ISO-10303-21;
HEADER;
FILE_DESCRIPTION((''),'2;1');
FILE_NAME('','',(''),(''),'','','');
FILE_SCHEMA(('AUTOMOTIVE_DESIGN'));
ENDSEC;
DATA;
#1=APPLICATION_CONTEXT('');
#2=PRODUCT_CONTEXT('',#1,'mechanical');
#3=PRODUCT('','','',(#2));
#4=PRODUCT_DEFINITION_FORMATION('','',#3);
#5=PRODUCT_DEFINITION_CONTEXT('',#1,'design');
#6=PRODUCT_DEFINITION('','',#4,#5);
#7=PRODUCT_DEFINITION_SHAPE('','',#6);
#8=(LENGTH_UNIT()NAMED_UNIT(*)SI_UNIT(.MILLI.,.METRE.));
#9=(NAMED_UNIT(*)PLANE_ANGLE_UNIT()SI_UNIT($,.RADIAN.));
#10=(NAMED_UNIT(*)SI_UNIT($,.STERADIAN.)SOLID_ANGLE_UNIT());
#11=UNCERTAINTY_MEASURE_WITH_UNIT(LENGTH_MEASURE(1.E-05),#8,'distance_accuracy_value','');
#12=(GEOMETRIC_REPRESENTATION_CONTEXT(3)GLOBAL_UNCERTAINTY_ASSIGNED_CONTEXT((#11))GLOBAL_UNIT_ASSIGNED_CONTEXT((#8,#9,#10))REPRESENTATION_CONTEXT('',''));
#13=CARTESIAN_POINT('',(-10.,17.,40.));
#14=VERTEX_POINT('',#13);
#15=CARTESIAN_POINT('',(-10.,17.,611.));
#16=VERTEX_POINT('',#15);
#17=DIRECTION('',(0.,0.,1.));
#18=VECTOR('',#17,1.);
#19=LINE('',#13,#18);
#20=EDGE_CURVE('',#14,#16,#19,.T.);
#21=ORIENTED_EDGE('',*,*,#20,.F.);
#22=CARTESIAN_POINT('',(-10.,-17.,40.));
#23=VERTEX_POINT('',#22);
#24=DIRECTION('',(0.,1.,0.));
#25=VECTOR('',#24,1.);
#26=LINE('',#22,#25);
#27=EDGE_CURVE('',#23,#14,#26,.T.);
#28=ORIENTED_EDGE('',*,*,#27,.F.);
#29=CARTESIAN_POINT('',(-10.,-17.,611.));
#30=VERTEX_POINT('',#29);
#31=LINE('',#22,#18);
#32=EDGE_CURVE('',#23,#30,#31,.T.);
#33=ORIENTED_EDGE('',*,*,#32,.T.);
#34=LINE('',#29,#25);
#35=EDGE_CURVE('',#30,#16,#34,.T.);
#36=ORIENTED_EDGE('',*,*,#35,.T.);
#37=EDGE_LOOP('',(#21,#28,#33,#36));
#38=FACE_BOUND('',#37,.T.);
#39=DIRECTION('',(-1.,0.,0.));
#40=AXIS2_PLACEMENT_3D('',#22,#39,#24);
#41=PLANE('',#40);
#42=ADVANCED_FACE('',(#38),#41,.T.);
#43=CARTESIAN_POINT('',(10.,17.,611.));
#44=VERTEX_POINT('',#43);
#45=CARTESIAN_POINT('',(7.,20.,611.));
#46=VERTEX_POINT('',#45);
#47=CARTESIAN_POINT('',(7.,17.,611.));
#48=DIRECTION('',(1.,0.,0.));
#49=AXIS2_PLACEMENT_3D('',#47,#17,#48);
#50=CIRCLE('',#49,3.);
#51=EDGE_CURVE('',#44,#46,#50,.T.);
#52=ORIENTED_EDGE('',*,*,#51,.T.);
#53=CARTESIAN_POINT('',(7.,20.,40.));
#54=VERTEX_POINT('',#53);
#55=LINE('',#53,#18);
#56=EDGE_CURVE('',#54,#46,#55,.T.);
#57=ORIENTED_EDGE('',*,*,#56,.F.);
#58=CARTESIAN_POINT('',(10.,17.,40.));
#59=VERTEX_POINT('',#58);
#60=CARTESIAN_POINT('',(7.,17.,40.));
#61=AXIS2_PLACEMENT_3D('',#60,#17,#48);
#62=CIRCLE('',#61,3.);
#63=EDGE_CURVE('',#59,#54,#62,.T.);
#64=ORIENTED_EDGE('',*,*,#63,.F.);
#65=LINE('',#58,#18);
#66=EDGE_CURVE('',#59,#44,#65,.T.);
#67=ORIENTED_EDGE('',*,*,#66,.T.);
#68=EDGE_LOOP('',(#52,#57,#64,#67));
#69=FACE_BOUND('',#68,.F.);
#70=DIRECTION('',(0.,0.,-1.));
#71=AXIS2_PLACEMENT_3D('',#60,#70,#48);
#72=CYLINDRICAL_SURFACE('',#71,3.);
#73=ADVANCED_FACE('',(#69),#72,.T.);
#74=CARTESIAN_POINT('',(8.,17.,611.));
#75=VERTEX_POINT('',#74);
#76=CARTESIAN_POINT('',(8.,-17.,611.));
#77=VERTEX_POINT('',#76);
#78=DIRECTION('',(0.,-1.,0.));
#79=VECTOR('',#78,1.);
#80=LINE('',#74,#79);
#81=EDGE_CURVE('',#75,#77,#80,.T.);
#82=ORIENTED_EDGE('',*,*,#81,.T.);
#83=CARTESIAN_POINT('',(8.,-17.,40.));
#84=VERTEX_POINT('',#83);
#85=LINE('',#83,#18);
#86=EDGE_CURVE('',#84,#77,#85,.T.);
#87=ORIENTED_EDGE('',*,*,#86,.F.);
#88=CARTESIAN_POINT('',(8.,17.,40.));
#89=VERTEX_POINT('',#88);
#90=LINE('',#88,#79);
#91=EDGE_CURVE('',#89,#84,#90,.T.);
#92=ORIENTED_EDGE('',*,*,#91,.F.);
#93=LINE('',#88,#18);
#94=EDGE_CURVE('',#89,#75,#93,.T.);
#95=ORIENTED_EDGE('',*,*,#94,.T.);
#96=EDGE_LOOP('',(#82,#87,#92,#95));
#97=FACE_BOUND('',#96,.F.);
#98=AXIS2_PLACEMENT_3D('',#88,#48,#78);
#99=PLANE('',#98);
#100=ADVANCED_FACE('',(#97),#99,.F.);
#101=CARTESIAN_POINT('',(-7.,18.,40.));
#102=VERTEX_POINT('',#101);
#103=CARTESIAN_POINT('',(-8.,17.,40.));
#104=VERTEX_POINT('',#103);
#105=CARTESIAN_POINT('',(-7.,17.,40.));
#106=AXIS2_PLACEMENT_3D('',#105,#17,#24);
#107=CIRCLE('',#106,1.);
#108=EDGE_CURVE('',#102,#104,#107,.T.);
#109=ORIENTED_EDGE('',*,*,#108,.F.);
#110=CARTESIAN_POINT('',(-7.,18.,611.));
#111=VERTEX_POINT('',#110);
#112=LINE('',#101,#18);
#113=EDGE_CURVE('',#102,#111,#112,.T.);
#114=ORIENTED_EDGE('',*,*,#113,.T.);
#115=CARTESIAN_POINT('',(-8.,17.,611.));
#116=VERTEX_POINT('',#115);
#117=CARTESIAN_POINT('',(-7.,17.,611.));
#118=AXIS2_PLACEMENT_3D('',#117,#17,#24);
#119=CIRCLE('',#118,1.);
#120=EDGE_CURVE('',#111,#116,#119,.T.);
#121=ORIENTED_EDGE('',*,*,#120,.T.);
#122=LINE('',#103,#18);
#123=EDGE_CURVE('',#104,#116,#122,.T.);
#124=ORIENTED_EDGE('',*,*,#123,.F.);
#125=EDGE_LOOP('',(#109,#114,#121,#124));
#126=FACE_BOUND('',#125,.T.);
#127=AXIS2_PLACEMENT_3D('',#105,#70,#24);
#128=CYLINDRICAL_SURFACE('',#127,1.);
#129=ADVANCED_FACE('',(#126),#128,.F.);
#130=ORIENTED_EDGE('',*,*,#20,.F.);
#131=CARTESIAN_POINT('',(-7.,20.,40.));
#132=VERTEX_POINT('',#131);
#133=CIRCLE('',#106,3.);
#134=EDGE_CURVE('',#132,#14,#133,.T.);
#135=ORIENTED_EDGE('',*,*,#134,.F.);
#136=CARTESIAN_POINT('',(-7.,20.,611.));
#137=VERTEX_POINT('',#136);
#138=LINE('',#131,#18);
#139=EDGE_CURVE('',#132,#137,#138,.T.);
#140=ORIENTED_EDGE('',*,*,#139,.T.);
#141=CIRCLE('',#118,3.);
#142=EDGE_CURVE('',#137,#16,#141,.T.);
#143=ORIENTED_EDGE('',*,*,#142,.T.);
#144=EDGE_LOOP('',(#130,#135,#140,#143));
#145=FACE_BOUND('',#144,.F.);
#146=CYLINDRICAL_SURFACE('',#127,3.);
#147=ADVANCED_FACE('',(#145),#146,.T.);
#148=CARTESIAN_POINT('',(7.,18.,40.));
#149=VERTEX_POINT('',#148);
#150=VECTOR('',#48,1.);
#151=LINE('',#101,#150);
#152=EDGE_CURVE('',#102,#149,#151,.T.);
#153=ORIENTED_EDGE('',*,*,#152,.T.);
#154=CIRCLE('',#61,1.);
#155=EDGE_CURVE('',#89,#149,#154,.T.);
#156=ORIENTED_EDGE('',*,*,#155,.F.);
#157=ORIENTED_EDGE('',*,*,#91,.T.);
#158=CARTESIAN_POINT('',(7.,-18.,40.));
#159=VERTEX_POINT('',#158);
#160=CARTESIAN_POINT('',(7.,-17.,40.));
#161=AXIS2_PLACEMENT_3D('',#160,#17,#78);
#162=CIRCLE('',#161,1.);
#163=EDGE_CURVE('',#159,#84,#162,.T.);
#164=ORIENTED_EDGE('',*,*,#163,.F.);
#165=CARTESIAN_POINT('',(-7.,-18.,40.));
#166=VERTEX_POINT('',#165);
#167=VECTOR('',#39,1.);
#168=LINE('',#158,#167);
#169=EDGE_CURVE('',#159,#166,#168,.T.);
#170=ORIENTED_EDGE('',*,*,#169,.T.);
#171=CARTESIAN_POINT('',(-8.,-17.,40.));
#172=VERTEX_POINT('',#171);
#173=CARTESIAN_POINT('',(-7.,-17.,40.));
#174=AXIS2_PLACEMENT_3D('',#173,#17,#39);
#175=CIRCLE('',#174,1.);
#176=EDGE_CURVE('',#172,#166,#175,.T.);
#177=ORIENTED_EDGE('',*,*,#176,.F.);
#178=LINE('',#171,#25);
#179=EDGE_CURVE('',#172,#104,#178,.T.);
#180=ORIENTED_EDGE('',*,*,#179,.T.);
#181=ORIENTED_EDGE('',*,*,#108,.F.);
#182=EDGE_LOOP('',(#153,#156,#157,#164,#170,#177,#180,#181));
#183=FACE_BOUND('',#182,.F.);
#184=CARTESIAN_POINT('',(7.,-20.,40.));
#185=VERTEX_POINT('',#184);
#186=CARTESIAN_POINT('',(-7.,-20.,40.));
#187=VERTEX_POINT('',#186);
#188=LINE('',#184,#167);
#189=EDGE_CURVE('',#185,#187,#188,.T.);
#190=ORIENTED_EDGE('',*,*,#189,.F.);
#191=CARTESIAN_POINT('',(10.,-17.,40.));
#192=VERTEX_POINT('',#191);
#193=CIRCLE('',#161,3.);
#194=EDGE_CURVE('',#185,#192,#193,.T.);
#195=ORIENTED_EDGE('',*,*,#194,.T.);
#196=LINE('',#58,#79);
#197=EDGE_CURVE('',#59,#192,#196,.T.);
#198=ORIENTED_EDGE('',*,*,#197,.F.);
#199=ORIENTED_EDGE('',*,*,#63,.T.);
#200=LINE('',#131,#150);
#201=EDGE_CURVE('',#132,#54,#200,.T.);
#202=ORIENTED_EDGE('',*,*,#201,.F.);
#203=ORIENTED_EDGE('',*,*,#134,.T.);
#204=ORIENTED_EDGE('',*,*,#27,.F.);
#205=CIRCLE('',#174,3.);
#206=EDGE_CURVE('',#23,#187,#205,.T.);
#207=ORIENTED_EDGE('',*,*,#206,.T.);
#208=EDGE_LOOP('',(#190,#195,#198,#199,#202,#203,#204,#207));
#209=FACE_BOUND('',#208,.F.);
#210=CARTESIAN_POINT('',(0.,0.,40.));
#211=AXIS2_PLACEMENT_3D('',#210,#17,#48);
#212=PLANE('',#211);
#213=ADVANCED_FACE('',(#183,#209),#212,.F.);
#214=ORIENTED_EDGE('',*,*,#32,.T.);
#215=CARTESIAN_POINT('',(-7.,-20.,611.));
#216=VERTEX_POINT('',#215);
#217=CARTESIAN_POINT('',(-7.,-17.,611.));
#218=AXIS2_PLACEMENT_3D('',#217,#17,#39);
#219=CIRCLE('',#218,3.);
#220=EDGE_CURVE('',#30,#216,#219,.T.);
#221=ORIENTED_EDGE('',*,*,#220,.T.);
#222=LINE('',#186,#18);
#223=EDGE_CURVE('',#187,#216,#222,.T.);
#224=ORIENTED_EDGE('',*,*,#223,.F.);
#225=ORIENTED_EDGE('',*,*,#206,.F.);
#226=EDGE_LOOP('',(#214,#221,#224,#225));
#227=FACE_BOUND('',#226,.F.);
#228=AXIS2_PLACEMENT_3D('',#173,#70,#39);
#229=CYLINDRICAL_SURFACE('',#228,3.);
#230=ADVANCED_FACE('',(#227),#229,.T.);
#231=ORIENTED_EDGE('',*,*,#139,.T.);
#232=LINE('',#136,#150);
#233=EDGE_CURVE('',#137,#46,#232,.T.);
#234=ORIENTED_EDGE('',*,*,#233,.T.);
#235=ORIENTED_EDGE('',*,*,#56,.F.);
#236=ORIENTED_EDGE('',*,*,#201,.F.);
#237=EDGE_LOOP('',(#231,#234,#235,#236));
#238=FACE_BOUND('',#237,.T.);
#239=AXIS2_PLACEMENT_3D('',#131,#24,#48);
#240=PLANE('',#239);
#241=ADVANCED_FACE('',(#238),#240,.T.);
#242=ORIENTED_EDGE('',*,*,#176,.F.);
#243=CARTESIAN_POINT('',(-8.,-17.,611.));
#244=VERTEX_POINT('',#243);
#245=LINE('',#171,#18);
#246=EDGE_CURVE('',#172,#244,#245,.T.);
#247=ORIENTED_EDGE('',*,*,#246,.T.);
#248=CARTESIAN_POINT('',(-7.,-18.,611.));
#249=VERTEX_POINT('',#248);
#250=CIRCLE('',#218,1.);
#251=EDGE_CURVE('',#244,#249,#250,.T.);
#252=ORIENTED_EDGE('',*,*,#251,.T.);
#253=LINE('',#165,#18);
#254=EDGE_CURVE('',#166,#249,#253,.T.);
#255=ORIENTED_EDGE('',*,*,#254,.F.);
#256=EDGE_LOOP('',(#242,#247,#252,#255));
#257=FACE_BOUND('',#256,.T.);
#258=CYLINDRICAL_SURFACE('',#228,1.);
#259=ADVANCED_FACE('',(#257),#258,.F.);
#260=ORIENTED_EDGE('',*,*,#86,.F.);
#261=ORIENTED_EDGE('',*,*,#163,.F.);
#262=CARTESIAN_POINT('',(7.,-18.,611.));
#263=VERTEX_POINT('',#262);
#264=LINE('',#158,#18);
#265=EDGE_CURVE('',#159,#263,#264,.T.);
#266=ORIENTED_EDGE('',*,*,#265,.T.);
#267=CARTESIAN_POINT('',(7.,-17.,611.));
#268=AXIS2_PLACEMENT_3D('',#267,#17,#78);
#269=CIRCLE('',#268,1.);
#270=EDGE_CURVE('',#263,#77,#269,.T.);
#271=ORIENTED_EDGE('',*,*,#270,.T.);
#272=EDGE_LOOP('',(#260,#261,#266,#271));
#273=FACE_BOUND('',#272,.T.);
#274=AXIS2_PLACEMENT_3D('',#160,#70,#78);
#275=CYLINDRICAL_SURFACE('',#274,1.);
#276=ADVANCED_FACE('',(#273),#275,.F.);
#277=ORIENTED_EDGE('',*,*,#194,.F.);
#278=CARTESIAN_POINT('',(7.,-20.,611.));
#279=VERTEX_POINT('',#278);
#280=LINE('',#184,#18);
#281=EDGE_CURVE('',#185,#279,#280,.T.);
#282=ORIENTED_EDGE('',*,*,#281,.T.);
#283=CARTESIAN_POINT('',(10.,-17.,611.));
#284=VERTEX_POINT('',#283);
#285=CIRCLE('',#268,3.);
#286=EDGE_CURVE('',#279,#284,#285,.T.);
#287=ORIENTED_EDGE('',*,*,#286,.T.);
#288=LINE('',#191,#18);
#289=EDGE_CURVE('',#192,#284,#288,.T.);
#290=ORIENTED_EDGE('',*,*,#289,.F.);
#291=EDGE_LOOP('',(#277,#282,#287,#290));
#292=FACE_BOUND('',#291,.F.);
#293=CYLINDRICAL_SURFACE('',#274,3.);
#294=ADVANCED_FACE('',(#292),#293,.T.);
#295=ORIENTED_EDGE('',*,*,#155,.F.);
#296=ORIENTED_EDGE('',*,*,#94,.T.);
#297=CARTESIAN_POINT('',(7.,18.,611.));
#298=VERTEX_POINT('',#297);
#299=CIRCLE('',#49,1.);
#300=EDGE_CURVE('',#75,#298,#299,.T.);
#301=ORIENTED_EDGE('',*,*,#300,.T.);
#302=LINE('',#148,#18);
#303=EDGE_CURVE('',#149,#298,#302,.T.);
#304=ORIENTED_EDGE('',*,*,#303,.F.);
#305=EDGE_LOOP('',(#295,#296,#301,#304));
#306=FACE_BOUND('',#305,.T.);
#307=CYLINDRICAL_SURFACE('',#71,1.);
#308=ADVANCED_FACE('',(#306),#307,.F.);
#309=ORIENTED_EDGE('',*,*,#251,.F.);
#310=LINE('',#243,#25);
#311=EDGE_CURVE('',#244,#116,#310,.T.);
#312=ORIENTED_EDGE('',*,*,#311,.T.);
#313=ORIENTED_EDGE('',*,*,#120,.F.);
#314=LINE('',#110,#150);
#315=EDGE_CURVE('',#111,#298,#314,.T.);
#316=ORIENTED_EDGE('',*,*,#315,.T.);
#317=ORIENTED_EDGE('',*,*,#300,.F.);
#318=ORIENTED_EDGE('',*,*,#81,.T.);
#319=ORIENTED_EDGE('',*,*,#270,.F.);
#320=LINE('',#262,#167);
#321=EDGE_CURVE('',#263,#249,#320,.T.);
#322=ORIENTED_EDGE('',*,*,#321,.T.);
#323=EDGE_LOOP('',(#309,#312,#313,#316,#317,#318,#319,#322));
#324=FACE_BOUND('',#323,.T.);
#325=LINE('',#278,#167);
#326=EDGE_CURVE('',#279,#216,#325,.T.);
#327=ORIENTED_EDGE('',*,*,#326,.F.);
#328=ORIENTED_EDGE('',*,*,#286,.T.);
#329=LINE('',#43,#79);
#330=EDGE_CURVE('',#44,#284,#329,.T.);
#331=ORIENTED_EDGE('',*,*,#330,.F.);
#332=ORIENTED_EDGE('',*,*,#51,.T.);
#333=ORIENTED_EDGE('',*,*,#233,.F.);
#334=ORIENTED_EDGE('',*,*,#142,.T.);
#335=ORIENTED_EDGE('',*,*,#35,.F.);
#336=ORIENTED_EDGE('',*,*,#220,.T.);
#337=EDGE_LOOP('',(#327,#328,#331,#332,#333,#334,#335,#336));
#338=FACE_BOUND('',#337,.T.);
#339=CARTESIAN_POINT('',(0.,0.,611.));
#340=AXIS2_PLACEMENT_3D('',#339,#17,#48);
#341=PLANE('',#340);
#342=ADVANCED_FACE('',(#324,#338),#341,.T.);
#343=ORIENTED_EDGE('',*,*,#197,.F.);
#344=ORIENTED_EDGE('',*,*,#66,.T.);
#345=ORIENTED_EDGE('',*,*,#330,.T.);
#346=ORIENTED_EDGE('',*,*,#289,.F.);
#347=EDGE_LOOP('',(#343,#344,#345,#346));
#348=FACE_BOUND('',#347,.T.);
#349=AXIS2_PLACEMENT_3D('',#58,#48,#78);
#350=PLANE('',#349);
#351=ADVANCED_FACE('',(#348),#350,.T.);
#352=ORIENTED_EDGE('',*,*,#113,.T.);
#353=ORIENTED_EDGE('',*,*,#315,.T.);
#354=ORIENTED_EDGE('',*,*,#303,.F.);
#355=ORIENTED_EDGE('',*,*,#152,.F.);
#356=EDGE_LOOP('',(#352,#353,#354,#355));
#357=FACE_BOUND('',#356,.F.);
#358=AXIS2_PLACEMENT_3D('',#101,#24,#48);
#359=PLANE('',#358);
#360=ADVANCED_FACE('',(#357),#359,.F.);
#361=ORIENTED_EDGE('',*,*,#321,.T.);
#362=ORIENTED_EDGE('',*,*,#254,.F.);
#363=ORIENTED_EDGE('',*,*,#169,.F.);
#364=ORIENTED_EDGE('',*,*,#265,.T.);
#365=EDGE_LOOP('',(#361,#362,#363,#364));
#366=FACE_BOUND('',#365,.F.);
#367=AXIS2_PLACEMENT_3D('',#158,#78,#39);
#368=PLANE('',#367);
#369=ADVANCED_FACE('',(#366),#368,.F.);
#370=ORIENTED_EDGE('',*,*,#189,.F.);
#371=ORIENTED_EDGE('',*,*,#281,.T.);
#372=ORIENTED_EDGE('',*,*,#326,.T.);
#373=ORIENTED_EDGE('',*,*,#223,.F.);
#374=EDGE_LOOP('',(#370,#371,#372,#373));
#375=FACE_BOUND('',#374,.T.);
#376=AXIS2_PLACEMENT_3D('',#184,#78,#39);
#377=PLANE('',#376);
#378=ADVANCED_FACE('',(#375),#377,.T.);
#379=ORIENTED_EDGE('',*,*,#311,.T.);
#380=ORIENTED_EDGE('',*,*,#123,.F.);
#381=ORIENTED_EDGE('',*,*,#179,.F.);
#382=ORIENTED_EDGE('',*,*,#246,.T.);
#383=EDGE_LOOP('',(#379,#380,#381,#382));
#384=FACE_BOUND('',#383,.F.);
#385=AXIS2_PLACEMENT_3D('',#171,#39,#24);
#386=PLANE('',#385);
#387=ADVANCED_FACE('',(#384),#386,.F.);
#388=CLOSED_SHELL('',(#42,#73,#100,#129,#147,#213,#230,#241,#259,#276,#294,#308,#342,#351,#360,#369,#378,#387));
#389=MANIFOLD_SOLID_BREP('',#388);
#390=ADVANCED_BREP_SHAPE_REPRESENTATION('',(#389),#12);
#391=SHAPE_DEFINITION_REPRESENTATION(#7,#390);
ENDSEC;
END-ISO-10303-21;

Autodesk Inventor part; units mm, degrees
ref_plane "Start plane" through (0, 0, 40) normal (0, 0, 1) x (1, 0, 0)
ref_plane "End plane" through (0, 0, 611) normal (0, 0, 1) x (1, 0, 0)
sketch "Sketch" plane through (0, 0, 0) normal (0, 0, 1) x (1, 0, 0)
  line L0 (-10, -17) -> (-10, 17)
  line L1 (-7, 20) -> (7, 20)
  line L2 (10, 17) -> (10, -17)
  line L3 (7, -20) -> (-7, -20)
  arc A0 (-10, -17) -> (-7, -20) centre (-7, -17) ccw
  arc A1 (-7, 20) -> (-10, 17) centre (-7, 17) ccw
  arc A2 (10, 17) -> (7, 20) centre (7, 17) ccw
  arc A3 (7, -20) -> (10, -17) centre (7, -17) ccw
  arc A4 (-7, 18) -> (-8, 17) centre (-7, 17) ccw
  line L4 (-7, 18) -> (7, 18)
  arc A5 (8, 17) -> (7, 18) centre (7, 17) ccw
  line L5 (8, 17) -> (8, -17)
  arc A6 (7, -18) -> (8, -17) centre (7, -17) ccw
  line L6 (7, -18) -> (-7, -18)
  arc A7 (-8, -17) -> (-7, -18) centre (-7, -17) ccw
  line L7 (-8, -17) -> (-8, 17)
  line L8 (0, 28.8698) -> (0, -28.8698) construction
  line L9 (-14.8698, 0) -> (14.8698, 0) construction
  dimension "d7" = 3
  dimension "d10" = 40
  dimension "d11" = 20
  dimension "d12" = 2
  dimension "d15" = 20
  dimension "d16" = 10
extrude "Body" add sketch "Sketch" along normal up to surface (571 mm away) from surface at 40
sketch "Sketch3" plane through (0, 0, 0) normal (0, 0, 1) x (1, 0, 0)
  line L0 (0, 0) -> (10, 0)
ref_plane "Work Plane3" through (0, 0, 0) normal (0, -1, 0) x (1, 0, 0)
sketch "Sketch4" plane through (0, 0, 0) normal (0, -1, 0) x (1, 0, 0)
  line L0 (-2, 40) -> (12, 40)
  line L1 (-2, 611) -> (12, 611)
  dimension "d18" = 571
ref_plane "Work Plane4" through (7, -310, 40) normal (0, 0, -1) x (-1, 0, 0)
split "Split1" plane through (7, -310, 40) removes the side toward (0, 0, -1)
ref_plane "Work Plane5" through (-37, -100, 611) normal (0, 0, 1) x (1, 0, 0)
split "Split2" plane through (-37, -100, 611) removes the side toward (0, 0, 1)
equation "\"d7\" = G_IR"
equation "\"d10\" = G_H"
equation "\"d11\" = G_W"
equation "\"d12\" = G_T"
equation "\"d15\" = 0.5 * d10"
equation "\"d16\" = 0.5 * d11"
equation "\"d3\" = G_L"
equation "\"G_W\" = 20"
equation "\"G_H\" = 40"
equation "\"G_T\" = 2"
equation "\"G_IR\" = 3"
equation "\"G_L\" = d18"
equation "\"G_OFFSET_START\" = -40"
equation "\"G_OFFSET_END\" = -40"
equation "\"d13\" = -G_OFFSET_START"
equation "\"d14\" = G_OFFSET_END + B_L"
equation "\"B_L\" = 651"
properties part number "UNI EN 10305-5 - 40 x 20 x 2  - 571" material "Steel, Mild"
